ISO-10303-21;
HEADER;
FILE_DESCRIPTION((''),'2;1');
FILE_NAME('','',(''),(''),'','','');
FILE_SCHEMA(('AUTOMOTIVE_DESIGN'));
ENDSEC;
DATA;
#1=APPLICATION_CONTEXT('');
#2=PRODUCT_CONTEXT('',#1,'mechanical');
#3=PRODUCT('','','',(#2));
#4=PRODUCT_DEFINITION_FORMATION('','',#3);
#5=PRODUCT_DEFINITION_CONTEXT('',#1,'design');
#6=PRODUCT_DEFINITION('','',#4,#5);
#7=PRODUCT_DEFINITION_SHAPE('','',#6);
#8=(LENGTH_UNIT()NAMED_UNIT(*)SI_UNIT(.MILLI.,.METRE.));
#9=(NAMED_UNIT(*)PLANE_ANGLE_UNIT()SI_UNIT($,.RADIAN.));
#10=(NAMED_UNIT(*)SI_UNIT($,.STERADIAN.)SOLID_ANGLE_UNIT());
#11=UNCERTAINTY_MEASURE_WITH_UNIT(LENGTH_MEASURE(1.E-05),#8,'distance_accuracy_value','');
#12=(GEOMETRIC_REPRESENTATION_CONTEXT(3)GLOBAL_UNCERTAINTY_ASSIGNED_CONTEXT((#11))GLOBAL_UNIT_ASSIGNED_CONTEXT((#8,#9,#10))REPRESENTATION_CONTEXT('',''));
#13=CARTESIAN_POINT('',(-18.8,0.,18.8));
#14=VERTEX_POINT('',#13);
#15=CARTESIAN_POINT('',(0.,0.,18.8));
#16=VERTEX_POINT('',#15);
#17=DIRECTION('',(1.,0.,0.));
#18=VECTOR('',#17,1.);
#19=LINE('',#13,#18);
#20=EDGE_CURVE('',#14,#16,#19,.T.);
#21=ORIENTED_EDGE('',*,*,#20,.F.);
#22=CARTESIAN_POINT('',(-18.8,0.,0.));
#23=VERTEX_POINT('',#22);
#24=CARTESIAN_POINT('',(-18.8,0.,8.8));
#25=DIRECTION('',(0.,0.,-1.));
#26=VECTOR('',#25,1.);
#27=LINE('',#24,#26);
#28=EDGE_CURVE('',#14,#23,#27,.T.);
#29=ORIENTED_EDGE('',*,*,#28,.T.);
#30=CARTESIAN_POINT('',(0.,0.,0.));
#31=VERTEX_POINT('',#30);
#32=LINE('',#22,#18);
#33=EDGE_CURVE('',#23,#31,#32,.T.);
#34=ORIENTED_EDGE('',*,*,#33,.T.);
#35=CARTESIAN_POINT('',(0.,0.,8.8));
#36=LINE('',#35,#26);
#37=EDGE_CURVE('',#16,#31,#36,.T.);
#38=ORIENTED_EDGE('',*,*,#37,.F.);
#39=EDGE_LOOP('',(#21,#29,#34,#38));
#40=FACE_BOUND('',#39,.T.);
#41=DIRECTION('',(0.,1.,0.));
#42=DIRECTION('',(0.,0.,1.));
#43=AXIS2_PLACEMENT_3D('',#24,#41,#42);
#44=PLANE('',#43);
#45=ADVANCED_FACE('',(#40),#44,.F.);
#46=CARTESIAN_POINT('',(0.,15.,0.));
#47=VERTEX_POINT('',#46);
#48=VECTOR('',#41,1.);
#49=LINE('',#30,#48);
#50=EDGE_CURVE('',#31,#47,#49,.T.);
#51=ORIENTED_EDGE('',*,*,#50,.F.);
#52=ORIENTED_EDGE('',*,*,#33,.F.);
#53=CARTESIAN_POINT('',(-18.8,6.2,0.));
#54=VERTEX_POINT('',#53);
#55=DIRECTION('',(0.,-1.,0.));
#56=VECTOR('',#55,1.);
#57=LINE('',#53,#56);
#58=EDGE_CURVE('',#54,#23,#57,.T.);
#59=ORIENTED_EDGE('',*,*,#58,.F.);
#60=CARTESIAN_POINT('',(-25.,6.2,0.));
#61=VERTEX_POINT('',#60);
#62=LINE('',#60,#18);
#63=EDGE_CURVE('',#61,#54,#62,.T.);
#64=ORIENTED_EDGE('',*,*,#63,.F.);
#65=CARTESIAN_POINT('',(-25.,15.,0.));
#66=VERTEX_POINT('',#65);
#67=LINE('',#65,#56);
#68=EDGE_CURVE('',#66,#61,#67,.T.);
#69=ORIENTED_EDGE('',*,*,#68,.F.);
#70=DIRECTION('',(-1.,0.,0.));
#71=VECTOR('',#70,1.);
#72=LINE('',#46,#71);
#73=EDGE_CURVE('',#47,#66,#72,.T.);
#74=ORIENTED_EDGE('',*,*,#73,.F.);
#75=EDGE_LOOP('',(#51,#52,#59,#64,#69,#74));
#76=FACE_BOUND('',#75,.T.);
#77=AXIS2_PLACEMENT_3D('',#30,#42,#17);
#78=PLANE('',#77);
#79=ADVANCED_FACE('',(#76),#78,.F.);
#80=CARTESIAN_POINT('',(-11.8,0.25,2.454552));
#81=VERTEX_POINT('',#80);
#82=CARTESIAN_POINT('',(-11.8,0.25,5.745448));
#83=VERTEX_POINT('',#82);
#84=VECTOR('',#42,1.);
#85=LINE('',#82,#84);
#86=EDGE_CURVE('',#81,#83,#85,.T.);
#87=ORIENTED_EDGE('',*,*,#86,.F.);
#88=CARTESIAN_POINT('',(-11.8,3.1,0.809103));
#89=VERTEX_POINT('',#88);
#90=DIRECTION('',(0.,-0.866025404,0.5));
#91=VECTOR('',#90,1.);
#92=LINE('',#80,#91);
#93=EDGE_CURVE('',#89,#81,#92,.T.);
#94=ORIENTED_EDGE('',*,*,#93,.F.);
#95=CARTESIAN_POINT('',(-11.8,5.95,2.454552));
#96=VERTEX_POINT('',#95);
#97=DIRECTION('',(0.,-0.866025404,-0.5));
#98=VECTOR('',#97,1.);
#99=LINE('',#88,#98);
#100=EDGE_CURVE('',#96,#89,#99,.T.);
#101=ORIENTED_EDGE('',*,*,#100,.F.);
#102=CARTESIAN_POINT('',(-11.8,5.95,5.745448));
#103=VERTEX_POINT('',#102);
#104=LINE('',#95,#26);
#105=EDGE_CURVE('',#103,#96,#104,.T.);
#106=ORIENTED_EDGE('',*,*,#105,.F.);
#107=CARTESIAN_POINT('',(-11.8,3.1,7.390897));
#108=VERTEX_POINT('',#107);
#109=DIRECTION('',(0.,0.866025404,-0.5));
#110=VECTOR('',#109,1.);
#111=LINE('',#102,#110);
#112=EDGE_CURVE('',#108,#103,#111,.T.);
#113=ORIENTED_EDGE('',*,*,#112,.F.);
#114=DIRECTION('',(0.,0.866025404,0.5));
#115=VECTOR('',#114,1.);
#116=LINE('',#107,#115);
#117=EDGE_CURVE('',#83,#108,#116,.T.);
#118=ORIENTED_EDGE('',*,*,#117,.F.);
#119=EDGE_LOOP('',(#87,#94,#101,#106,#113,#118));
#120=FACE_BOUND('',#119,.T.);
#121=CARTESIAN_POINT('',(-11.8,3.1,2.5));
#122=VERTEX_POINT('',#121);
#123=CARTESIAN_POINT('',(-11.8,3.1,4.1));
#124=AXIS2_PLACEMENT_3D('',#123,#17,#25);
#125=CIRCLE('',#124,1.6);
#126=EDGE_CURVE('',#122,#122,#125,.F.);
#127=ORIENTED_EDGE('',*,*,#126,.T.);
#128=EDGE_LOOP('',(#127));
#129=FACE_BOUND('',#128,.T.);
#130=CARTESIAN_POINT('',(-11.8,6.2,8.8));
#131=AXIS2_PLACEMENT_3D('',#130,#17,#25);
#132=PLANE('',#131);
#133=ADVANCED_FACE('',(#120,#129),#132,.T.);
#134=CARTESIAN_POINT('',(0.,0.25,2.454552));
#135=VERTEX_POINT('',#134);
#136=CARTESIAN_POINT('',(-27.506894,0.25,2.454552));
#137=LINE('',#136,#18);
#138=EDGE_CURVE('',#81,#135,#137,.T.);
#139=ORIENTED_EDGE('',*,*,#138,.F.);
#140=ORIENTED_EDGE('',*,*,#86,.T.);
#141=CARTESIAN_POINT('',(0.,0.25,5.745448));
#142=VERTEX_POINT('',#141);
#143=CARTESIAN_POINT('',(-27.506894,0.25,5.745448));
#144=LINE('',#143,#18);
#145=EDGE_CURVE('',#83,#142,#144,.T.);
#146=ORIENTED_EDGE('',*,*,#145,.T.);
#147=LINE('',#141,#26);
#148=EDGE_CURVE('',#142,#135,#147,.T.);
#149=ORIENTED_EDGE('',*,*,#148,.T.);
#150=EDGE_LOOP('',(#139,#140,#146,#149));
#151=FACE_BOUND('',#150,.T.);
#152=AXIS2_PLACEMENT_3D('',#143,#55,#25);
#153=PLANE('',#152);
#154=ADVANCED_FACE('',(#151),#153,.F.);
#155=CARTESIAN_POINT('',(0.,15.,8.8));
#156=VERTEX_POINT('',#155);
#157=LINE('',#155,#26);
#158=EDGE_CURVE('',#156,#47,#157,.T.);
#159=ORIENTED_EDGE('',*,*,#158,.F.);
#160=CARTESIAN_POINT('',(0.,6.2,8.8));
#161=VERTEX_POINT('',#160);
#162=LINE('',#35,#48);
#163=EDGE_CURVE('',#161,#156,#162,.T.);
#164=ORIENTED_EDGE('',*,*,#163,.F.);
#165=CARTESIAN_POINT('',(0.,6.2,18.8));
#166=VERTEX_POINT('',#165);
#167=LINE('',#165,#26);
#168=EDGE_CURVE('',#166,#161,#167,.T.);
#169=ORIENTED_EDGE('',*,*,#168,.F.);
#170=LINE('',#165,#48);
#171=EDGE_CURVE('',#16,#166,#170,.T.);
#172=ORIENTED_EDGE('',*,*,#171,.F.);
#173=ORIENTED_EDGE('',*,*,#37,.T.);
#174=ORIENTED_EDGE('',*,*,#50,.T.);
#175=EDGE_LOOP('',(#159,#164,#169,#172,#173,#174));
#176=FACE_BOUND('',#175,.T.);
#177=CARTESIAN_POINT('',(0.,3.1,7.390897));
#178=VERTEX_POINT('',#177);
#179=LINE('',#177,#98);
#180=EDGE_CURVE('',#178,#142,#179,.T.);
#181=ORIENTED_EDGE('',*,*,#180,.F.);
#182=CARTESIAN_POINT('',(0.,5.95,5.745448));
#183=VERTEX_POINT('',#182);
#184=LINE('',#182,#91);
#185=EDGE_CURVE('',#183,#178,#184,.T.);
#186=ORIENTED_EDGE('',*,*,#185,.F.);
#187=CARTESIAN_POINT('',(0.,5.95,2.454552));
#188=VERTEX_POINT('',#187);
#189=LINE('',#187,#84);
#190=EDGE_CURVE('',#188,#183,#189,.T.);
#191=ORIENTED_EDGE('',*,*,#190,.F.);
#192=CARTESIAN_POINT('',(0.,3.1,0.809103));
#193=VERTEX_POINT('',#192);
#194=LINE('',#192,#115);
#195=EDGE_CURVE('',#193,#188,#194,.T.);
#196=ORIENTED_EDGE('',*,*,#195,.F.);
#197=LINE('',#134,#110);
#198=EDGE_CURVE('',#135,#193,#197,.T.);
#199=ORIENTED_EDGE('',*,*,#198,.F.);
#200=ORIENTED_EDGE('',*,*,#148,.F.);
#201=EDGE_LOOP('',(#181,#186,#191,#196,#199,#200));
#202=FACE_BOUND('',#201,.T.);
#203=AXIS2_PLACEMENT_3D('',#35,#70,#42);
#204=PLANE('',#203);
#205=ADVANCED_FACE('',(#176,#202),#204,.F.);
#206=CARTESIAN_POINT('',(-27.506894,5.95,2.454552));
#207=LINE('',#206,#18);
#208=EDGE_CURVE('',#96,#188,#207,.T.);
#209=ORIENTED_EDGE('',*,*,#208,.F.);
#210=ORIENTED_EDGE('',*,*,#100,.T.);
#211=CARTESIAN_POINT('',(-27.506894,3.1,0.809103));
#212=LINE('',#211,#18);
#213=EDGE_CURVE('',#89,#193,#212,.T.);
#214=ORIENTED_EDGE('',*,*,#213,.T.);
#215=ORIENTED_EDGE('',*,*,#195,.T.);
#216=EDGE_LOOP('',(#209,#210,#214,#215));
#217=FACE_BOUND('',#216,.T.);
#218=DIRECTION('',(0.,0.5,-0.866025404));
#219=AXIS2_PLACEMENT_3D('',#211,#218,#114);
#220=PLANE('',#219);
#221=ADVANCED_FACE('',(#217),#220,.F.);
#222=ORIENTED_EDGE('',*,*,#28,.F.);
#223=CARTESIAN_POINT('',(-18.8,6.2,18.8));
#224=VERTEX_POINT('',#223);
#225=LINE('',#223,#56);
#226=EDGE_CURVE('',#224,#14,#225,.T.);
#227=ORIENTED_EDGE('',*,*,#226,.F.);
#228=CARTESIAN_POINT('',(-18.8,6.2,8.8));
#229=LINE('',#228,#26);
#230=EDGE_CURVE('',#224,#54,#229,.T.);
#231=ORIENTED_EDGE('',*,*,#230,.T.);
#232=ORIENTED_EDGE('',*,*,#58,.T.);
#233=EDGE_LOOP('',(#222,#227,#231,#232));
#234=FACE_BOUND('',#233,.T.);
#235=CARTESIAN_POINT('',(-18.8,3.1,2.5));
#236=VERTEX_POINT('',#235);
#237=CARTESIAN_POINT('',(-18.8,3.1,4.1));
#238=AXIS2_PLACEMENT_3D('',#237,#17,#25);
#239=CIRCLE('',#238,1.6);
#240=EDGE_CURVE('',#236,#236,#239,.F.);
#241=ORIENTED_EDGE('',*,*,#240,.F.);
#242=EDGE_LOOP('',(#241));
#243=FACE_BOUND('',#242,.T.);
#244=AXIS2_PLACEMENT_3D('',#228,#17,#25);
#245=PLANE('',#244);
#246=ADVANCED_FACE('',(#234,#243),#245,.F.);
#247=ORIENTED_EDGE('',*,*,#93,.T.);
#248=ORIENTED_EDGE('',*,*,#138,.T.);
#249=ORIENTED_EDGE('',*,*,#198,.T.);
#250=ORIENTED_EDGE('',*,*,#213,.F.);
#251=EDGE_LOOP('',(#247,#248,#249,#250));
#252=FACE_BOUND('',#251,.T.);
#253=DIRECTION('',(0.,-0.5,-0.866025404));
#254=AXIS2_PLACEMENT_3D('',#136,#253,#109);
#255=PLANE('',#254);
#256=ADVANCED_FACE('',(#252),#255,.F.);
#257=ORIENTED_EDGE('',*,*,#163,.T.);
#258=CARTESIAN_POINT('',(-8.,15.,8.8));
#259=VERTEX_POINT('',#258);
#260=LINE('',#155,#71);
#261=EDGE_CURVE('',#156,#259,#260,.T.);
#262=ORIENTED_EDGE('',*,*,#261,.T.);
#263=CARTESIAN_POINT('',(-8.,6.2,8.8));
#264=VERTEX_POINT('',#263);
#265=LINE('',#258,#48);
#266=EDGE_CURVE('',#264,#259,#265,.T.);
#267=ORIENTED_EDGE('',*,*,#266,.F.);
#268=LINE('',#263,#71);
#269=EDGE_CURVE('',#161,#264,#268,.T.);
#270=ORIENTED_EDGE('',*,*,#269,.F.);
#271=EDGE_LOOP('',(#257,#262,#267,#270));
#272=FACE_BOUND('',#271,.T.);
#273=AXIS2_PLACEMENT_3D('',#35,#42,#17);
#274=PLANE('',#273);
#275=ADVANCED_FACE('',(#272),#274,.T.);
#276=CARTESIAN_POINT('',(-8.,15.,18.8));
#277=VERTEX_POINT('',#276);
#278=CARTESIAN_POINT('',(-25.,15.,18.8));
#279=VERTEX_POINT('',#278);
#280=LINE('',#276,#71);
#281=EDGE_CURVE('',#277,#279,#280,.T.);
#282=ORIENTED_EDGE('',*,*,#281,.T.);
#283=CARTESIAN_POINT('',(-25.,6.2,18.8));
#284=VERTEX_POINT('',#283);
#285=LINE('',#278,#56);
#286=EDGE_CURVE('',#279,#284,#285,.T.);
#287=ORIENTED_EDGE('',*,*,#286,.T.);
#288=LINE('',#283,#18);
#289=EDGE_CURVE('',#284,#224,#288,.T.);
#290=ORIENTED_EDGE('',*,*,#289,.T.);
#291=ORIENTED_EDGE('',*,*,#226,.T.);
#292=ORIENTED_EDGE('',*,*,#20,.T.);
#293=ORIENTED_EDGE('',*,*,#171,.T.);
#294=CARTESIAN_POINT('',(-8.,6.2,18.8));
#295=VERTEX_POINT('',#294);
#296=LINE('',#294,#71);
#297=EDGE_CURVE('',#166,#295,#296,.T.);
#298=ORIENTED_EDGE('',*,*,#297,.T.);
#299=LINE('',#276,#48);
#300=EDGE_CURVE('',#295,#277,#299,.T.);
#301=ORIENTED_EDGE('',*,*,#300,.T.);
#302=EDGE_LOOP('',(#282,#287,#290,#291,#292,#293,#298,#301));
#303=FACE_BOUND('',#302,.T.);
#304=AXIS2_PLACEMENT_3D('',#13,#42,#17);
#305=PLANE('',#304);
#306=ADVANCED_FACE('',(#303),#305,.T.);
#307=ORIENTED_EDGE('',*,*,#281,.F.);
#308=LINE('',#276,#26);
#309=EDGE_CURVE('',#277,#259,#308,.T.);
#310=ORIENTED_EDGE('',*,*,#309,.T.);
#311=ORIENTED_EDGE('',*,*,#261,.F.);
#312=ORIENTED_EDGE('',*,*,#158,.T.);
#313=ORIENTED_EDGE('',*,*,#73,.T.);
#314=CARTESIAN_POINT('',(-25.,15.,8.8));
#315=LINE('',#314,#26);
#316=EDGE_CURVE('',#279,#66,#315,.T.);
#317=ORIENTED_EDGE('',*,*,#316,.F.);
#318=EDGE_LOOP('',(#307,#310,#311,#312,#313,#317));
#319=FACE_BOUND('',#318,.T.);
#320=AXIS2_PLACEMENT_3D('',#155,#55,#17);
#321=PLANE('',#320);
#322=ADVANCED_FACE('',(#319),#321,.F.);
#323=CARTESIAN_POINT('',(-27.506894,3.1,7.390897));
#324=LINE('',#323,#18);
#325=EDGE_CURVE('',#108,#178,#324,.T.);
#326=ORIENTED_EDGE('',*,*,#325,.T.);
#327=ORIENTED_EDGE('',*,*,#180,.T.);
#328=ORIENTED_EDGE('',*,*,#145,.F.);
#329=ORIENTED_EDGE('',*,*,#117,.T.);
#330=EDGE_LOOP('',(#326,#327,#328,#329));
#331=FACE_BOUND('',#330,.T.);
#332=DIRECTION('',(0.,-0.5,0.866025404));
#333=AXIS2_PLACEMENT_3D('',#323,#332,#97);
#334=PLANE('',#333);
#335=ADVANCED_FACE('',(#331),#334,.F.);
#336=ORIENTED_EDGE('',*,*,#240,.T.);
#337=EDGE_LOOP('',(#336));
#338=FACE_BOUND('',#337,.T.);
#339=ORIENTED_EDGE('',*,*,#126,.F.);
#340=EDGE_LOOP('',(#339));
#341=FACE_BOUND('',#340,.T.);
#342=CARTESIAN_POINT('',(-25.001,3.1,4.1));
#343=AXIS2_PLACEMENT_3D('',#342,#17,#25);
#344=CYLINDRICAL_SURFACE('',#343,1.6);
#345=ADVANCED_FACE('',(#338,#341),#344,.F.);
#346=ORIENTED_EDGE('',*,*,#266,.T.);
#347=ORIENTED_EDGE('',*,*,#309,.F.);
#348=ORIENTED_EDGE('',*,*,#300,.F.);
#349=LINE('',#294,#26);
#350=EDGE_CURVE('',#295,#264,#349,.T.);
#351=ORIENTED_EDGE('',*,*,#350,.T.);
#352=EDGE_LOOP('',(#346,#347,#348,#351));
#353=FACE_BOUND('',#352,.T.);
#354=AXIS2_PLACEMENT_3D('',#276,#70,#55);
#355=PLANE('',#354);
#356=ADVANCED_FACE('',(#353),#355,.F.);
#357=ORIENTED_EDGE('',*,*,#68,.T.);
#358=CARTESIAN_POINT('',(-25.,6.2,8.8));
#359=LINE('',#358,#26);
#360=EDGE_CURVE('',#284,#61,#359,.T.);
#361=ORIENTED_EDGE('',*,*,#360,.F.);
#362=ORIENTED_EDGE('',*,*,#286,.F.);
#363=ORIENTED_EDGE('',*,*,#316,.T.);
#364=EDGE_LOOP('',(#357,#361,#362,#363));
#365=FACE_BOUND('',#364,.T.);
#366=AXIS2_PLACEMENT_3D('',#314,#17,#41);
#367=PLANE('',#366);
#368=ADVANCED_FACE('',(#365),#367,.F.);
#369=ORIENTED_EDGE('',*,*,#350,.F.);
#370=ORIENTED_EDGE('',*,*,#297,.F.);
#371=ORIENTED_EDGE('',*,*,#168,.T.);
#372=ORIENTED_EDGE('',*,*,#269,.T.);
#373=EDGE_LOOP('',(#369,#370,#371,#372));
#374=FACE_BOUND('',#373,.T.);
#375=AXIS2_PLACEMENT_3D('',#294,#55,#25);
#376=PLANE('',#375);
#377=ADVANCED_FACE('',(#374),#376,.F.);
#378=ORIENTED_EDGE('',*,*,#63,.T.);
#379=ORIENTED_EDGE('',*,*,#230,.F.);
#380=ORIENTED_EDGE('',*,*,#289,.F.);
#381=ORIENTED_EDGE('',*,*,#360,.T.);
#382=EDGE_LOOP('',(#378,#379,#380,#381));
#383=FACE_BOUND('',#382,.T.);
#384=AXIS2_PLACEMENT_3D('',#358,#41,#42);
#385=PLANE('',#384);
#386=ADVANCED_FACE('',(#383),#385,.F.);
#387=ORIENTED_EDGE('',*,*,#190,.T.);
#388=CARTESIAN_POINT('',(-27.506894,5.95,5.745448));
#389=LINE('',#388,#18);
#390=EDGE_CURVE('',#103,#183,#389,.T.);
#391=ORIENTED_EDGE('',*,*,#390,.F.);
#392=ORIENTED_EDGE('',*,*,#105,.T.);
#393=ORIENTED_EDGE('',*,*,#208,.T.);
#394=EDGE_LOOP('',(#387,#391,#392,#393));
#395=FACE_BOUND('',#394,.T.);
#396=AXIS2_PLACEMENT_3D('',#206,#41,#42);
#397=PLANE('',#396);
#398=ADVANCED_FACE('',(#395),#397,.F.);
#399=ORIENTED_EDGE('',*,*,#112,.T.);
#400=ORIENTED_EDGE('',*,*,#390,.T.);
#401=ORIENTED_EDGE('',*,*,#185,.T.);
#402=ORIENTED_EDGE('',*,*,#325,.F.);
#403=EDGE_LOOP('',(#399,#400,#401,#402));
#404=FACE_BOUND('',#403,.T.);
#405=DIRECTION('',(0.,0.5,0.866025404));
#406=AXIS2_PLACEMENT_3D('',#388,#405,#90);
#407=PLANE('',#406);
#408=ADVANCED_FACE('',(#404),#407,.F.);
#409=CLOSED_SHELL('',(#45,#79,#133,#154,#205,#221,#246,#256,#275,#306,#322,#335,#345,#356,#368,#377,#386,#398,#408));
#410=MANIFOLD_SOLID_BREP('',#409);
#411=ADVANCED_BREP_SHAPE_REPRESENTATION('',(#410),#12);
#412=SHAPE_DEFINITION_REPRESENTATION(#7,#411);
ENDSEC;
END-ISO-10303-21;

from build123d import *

# Parameters (mm, degrees)
SALIENTE_EXTRUIR1_DEPTH = 8.8
SALIENTE_EXTRUIR2_DEPTH = 10
CORTAR_EXTRUIR1_REACH   = 27
CROQUIS3_R              = 1.6
CORTAR_EXTRUIR2_DEPTH   = 11.8


with BuildPart() as part:
    # Croquis1 → Saliente-Extruir1 (new body)
    with BuildSketch(Plane.XY):
        Polygon((0, 0), (0, 15), (-25, 15), (-25, 6.2), (-18.8, 6.2), (-18.8, 0), align=None)
    extrude(amount=SALIENTE_EXTRUIR1_DEPTH)

    # Croquis2 → Saliente-Extruir2 (add)
    with BuildSketch(Plane.XY.offset(8.8)):
        Polygon((-8, 15), (-8, 6.2), (0, 6.2), (0, 0), (-8, 0), (-18.8, 0), (-18.8, 6.2), (-25, 6.2), (-25, 15), align=None)
    extrude(amount=SALIENTE_EXTRUIR2_DEPTH)

    # Croquis3 → Cortar-Extruir1 (cut, up to next)
    with BuildSketch(Plane(origin=(0, 0, 0), x_dir=(0, 0, -1), z_dir=(1, 0, 0)), mode=Mode.PRIVATE) as cortar_extruir1_sk1:
        with Locations((-4.1, 3.1)):
            Circle(CROQUIS3_R)
    cortar_extruir1_tool1 = extrude(cortar_extruir1_sk1.sketch, amount=-CORTAR_EXTRUIR1_REACH, mode=Mode.PRIVATE) & part.part
    add(cortar_extruir1_tool1.solids().sort_by_distance((0, 3.1, 4.1))[0], mode=Mode.SUBTRACT)

    # Croquis4 → Cortar-Extruir2 (cut)
    with BuildSketch(Plane(origin=(0, 0, 0), x_dir=(0, 0, -1), z_dir=(1, 0, 0))):
        Polygon((-0.809103466, 3.1), (-2.454551733, 5.95), (-5.745448267, 5.95), (-7.390896534, 3.1), (-5.745448267, 0.25), (-2.454551733, 0.25), align=None)
    extrude(amount=-CORTAR_EXTRUIR2_DEPTH, mode=Mode.SUBTRACT)


solid = part.part
